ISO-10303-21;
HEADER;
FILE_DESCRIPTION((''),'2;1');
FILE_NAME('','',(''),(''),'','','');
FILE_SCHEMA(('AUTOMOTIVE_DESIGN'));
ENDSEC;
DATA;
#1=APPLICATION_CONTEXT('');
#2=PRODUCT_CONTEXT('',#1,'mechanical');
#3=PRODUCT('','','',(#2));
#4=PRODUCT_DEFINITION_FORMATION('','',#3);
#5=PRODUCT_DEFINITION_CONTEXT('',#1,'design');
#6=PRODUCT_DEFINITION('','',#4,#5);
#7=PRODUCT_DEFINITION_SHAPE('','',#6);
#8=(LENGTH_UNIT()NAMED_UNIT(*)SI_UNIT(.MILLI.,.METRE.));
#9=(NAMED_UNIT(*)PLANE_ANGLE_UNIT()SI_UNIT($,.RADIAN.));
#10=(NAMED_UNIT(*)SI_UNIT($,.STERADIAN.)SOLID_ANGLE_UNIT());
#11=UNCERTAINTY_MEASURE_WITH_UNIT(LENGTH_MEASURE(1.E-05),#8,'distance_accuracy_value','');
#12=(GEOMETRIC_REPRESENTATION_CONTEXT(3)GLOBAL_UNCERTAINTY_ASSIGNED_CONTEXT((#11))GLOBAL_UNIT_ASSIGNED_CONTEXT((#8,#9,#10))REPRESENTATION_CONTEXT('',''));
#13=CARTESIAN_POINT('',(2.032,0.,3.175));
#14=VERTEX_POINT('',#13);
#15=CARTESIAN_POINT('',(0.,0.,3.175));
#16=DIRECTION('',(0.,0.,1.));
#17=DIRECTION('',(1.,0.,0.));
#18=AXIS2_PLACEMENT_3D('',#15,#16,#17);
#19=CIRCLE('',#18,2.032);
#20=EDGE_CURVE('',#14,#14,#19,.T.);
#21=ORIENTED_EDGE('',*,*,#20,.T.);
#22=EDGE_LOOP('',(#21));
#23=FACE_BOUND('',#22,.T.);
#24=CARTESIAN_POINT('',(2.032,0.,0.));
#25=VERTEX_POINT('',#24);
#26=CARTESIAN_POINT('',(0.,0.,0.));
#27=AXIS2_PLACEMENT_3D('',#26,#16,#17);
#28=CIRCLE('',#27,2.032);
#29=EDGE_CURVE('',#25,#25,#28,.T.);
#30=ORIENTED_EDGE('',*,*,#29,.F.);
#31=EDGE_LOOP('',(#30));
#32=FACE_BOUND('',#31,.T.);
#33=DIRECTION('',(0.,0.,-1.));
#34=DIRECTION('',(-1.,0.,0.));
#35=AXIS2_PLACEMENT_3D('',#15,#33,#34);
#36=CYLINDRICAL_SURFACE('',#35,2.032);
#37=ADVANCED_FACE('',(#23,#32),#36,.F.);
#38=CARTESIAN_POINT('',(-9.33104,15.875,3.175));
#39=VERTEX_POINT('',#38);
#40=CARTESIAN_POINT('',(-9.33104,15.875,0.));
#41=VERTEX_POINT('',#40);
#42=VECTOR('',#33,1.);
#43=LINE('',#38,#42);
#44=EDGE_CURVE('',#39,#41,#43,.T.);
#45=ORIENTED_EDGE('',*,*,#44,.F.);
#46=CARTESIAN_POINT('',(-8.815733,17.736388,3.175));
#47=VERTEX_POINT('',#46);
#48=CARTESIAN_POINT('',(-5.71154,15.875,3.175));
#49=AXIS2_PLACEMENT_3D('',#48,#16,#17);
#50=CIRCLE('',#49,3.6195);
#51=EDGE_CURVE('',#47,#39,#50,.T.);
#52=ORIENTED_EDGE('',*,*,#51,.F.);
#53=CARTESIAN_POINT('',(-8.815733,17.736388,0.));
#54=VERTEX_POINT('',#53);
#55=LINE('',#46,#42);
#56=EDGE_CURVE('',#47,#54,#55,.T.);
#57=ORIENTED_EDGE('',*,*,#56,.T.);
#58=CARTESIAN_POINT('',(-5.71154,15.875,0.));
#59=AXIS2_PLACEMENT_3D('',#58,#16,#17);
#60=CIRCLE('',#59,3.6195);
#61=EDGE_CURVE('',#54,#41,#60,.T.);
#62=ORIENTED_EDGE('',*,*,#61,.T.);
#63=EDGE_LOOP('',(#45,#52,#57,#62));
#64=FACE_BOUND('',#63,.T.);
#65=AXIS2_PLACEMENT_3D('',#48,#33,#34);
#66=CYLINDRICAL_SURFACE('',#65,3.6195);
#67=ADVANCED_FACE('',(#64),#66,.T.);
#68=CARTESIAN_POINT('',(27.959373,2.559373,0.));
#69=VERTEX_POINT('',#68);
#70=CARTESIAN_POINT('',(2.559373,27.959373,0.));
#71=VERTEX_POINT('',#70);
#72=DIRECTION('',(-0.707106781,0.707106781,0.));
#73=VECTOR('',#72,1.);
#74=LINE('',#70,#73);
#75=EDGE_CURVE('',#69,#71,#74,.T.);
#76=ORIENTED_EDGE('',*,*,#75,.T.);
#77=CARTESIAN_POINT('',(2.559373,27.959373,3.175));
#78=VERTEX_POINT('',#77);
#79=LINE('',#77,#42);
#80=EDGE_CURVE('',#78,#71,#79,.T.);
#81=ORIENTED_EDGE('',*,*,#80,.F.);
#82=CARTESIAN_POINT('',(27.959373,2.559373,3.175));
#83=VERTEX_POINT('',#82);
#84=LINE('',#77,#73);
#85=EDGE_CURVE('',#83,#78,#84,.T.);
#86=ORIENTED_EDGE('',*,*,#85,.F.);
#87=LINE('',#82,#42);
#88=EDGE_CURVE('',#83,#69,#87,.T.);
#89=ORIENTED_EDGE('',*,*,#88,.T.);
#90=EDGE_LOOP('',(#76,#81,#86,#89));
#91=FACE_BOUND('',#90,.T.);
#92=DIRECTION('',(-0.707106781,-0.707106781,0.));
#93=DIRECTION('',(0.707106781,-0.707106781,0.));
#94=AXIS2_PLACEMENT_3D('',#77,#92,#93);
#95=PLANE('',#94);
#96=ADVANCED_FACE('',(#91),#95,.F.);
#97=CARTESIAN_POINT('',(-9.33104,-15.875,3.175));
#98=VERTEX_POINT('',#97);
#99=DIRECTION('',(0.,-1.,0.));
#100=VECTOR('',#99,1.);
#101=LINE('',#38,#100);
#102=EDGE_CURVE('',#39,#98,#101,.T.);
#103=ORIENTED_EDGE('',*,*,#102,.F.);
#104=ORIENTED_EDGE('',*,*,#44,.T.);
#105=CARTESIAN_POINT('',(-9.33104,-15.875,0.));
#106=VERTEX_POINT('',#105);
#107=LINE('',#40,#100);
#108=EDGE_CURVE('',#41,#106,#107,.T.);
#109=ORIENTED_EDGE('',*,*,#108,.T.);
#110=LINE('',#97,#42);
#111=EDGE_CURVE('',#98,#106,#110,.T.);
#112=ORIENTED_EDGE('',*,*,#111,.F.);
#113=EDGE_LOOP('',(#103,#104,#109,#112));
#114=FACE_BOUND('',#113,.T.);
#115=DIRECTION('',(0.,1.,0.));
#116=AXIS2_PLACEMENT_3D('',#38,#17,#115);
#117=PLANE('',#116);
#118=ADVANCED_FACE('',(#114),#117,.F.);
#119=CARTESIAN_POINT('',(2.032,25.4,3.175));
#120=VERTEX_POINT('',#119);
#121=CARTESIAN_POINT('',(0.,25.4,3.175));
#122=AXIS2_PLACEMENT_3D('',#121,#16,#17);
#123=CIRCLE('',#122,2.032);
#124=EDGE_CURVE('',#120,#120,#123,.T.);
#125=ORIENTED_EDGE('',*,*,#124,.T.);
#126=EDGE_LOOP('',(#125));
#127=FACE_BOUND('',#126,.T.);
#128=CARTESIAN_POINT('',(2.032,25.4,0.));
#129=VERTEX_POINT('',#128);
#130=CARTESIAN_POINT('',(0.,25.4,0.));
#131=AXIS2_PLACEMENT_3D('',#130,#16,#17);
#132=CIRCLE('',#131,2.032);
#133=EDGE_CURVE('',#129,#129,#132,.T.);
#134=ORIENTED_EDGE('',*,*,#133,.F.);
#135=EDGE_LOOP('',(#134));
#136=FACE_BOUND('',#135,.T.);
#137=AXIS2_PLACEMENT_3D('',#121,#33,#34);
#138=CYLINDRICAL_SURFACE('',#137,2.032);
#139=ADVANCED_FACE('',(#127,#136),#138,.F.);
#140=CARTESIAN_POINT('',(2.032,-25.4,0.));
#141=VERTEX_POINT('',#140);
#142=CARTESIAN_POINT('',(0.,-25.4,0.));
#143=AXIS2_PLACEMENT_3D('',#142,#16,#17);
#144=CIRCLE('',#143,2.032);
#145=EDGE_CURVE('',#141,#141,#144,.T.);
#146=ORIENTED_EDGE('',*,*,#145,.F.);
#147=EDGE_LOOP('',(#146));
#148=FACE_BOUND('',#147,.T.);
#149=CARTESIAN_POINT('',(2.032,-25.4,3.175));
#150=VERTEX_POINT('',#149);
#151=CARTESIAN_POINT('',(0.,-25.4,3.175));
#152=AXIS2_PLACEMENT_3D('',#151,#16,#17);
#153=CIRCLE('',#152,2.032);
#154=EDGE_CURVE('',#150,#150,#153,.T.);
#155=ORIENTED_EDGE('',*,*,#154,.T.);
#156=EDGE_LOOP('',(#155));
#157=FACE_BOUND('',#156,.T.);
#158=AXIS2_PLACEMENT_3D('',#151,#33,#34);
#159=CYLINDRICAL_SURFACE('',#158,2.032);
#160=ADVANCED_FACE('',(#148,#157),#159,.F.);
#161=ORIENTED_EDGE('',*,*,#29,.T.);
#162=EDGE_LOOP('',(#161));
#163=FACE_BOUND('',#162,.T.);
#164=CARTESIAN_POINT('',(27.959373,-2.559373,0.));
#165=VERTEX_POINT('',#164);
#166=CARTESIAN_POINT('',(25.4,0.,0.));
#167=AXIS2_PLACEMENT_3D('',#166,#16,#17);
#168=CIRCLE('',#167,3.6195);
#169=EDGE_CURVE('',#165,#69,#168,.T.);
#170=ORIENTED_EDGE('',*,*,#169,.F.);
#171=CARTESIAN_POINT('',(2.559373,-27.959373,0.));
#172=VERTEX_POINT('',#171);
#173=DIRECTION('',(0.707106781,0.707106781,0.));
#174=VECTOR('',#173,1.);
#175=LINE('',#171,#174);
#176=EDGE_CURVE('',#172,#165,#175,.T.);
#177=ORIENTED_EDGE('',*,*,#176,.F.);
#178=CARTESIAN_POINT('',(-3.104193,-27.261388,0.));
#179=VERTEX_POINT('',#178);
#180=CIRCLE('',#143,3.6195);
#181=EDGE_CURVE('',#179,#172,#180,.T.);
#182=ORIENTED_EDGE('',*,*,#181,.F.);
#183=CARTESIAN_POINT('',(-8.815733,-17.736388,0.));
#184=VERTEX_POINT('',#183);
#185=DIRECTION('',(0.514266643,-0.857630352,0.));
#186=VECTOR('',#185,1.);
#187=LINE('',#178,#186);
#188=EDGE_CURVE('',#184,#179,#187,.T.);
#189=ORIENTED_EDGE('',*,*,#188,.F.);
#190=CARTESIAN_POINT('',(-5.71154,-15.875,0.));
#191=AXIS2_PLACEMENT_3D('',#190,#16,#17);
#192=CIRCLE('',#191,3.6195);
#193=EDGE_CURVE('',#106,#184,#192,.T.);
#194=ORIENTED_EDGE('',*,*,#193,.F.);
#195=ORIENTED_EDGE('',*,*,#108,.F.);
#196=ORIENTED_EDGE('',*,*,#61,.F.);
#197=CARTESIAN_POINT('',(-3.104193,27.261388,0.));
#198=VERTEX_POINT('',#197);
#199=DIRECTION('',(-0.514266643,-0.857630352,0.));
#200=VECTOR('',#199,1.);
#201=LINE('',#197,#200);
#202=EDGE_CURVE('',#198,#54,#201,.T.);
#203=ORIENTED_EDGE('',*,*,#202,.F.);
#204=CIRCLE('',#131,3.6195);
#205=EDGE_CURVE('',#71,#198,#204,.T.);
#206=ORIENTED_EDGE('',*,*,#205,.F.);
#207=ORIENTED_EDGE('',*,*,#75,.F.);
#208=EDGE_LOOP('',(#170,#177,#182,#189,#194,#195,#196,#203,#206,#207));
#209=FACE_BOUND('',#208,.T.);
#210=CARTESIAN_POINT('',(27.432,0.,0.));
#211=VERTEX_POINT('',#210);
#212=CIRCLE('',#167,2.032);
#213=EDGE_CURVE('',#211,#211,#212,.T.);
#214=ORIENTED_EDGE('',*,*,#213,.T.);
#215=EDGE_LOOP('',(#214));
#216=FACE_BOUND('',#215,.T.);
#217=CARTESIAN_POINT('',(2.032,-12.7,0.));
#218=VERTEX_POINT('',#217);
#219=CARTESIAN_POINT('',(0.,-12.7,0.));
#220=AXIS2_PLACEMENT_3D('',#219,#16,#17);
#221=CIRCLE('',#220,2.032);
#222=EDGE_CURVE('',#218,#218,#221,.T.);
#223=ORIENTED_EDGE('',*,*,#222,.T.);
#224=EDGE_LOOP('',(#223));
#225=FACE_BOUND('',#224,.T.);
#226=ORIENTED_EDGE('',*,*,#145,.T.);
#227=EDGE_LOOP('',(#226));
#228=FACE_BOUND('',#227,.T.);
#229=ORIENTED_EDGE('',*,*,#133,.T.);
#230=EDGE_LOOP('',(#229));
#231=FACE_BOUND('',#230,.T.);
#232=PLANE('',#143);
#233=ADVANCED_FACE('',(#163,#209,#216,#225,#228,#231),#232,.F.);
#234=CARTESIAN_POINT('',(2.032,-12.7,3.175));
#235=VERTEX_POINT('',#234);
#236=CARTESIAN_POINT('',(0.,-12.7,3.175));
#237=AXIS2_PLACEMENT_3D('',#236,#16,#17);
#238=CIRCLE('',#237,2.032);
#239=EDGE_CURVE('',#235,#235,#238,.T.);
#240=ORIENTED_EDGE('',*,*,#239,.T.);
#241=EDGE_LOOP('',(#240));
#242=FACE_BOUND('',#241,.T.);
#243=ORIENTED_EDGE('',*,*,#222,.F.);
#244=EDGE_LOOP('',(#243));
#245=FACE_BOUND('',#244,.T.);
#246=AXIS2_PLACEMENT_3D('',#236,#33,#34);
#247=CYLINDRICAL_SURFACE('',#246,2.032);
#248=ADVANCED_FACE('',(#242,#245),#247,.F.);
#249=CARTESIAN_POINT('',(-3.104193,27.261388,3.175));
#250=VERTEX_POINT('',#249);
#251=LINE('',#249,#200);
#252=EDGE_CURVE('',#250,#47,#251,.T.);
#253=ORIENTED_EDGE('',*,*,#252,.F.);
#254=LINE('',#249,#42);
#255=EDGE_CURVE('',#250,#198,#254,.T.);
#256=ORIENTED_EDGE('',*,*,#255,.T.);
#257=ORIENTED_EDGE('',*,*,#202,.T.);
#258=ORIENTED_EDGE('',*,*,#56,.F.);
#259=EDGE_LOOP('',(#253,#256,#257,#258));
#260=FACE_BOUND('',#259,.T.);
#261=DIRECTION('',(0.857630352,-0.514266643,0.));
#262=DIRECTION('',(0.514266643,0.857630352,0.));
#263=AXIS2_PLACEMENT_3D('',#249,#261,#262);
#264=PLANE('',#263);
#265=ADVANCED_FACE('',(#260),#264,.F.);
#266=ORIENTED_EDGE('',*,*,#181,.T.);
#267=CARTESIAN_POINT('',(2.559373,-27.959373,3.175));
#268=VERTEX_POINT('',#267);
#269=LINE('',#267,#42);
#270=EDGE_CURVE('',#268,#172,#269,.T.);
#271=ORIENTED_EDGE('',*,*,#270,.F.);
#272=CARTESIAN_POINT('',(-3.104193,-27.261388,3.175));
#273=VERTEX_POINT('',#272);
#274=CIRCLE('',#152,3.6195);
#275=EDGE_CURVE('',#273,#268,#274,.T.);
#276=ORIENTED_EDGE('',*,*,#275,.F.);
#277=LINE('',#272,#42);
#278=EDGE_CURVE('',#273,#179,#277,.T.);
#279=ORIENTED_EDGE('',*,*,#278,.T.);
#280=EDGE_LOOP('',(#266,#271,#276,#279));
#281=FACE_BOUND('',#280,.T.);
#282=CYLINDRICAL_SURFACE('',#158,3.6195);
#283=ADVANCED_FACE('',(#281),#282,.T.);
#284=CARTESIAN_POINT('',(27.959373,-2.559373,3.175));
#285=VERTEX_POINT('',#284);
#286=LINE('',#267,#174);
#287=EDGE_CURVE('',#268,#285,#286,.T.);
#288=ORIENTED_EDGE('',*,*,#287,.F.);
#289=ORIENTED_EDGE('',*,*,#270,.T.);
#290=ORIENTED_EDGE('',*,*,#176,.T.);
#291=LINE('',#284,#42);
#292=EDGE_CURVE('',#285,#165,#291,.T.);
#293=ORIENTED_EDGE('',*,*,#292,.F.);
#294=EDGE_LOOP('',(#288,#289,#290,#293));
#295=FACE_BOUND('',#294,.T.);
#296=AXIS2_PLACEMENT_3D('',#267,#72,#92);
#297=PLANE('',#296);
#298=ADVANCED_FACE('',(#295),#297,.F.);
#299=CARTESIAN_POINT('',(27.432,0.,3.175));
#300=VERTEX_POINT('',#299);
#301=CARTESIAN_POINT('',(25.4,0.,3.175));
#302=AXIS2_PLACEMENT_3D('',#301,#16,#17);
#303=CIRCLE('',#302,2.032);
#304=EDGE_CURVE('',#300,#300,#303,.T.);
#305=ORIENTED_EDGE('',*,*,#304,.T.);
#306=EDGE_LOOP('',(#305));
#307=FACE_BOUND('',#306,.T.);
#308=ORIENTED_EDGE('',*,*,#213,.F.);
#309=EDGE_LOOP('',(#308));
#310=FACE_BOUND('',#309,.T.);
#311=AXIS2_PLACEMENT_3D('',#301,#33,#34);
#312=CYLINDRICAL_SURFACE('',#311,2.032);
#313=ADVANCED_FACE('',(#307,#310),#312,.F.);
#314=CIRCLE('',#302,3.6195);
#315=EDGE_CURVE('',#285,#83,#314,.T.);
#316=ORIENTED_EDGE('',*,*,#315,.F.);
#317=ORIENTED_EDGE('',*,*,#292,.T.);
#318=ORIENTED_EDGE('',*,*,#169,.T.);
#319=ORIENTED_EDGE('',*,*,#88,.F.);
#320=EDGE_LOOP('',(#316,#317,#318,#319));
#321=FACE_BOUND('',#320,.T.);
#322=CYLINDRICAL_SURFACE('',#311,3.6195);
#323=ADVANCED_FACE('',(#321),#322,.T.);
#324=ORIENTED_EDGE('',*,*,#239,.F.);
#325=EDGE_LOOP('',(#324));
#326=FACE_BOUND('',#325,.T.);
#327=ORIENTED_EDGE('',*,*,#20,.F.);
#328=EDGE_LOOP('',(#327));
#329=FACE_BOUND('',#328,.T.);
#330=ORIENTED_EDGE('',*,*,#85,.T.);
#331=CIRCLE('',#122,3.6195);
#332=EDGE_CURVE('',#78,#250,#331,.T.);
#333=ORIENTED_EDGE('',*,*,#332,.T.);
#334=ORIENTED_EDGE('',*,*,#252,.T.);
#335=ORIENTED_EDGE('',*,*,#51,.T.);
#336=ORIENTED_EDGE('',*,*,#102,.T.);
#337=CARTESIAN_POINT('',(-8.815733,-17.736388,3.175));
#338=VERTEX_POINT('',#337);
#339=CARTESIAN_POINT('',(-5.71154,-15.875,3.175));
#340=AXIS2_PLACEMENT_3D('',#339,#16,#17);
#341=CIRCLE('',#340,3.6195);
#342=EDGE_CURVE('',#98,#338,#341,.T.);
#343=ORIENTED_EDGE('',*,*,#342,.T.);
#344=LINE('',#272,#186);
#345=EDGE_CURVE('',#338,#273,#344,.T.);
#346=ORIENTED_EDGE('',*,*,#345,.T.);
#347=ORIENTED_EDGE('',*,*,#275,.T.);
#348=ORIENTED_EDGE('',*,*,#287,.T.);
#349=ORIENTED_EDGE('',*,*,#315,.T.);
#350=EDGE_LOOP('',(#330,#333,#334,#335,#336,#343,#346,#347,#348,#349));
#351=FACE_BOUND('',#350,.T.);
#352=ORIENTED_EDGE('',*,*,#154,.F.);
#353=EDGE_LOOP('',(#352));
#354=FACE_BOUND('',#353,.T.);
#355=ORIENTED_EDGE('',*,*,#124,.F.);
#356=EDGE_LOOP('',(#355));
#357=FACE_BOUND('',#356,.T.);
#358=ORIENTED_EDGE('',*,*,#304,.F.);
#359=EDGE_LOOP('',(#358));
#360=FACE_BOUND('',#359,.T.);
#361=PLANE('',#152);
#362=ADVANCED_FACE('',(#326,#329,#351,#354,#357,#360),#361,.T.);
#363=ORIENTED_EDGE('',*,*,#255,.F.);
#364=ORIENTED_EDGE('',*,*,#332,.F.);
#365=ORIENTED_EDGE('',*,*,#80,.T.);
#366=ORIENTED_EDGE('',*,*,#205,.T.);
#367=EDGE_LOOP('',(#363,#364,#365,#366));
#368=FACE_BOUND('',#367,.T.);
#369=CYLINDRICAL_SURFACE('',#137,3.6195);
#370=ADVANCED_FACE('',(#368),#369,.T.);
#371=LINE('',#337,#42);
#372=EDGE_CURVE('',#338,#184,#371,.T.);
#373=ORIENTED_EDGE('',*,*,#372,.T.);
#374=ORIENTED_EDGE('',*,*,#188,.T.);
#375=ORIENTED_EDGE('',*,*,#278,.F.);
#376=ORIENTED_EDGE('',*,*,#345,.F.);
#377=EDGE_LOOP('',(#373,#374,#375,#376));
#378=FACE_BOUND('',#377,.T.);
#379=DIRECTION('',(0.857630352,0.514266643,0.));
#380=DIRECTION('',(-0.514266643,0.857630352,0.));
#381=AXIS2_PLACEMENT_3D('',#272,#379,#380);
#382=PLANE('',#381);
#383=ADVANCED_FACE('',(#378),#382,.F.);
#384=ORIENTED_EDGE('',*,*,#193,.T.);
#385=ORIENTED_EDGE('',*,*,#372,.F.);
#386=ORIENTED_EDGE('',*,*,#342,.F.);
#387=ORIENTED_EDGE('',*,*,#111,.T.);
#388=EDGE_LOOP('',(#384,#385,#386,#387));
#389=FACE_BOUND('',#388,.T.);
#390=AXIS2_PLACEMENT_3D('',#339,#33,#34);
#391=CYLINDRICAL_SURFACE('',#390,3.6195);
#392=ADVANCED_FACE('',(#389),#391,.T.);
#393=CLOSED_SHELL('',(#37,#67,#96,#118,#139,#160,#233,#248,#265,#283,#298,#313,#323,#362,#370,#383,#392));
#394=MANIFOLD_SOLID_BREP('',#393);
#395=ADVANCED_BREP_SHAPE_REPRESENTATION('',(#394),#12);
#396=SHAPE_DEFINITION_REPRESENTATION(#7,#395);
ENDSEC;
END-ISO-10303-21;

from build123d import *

# Parameters (mm, degrees)
SKETCH1_R           = 2.032
BOSS_EXTRUDE1_DEPTH = 3.175


with BuildPart() as part:
    # Sketch1 → Boss-Extrude1 (new body)
    with BuildSketch(Plane.XY):
        with BuildLine():
            Line((2.559372995, 27.959372995), (27.959372995, 2.559372995))
            ThreePointArc((27.959372995, 2.559372995), (29.0195, 0), (27.959372995, -2.559372995))
            Line((27.959372995, -2.559372995), (2.559372995, -27.959372995))
            ThreePointArc((2.559372995, -27.959372995), (-0.442722203, -28.992321993), (-3.104193058, -27.261388113))
            Line((-3.104193058, -27.261388113), (-8.815732721, -17.736388113))
            ThreePointArc((-8.815732721, -17.736388113), (-9.199834878, -16.840700128), (-9.331039662, -15.875))
            Line((-9.331039662, -15.875), (-9.331039662, 15.875))
            ThreePointArc((-9.331039662, 15.875), (-9.199834878, 16.840700128), (-8.815732721, 17.736388113))
            Line((-8.815732721, 17.736388113), (-3.104193058, 27.261388113))
            ThreePointArc((-3.104193058, 27.261388113), (-0.442722203, 28.992321993), (2.559372995, 27.959372995))
        make_face()
        Circle(SKETCH1_R, mode=Mode.SUBTRACT)
        with Locations((0, 25.4)):
            Circle(SKETCH1_R, mode=Mode.SUBTRACT)
        with Locations((0, -25.4)):
            Circle(SKETCH1_R, mode=Mode.SUBTRACT)
        with Locations((25.4, 0)):
            Circle(SKETCH1_R, mode=Mode.SUBTRACT)
        with Locations((0, -12.7)):
            Circle(SKETCH1_R, mode=Mode.SUBTRACT)
    extrude(amount=BOSS_EXTRUDE1_DEPTH)


solid = part.part
